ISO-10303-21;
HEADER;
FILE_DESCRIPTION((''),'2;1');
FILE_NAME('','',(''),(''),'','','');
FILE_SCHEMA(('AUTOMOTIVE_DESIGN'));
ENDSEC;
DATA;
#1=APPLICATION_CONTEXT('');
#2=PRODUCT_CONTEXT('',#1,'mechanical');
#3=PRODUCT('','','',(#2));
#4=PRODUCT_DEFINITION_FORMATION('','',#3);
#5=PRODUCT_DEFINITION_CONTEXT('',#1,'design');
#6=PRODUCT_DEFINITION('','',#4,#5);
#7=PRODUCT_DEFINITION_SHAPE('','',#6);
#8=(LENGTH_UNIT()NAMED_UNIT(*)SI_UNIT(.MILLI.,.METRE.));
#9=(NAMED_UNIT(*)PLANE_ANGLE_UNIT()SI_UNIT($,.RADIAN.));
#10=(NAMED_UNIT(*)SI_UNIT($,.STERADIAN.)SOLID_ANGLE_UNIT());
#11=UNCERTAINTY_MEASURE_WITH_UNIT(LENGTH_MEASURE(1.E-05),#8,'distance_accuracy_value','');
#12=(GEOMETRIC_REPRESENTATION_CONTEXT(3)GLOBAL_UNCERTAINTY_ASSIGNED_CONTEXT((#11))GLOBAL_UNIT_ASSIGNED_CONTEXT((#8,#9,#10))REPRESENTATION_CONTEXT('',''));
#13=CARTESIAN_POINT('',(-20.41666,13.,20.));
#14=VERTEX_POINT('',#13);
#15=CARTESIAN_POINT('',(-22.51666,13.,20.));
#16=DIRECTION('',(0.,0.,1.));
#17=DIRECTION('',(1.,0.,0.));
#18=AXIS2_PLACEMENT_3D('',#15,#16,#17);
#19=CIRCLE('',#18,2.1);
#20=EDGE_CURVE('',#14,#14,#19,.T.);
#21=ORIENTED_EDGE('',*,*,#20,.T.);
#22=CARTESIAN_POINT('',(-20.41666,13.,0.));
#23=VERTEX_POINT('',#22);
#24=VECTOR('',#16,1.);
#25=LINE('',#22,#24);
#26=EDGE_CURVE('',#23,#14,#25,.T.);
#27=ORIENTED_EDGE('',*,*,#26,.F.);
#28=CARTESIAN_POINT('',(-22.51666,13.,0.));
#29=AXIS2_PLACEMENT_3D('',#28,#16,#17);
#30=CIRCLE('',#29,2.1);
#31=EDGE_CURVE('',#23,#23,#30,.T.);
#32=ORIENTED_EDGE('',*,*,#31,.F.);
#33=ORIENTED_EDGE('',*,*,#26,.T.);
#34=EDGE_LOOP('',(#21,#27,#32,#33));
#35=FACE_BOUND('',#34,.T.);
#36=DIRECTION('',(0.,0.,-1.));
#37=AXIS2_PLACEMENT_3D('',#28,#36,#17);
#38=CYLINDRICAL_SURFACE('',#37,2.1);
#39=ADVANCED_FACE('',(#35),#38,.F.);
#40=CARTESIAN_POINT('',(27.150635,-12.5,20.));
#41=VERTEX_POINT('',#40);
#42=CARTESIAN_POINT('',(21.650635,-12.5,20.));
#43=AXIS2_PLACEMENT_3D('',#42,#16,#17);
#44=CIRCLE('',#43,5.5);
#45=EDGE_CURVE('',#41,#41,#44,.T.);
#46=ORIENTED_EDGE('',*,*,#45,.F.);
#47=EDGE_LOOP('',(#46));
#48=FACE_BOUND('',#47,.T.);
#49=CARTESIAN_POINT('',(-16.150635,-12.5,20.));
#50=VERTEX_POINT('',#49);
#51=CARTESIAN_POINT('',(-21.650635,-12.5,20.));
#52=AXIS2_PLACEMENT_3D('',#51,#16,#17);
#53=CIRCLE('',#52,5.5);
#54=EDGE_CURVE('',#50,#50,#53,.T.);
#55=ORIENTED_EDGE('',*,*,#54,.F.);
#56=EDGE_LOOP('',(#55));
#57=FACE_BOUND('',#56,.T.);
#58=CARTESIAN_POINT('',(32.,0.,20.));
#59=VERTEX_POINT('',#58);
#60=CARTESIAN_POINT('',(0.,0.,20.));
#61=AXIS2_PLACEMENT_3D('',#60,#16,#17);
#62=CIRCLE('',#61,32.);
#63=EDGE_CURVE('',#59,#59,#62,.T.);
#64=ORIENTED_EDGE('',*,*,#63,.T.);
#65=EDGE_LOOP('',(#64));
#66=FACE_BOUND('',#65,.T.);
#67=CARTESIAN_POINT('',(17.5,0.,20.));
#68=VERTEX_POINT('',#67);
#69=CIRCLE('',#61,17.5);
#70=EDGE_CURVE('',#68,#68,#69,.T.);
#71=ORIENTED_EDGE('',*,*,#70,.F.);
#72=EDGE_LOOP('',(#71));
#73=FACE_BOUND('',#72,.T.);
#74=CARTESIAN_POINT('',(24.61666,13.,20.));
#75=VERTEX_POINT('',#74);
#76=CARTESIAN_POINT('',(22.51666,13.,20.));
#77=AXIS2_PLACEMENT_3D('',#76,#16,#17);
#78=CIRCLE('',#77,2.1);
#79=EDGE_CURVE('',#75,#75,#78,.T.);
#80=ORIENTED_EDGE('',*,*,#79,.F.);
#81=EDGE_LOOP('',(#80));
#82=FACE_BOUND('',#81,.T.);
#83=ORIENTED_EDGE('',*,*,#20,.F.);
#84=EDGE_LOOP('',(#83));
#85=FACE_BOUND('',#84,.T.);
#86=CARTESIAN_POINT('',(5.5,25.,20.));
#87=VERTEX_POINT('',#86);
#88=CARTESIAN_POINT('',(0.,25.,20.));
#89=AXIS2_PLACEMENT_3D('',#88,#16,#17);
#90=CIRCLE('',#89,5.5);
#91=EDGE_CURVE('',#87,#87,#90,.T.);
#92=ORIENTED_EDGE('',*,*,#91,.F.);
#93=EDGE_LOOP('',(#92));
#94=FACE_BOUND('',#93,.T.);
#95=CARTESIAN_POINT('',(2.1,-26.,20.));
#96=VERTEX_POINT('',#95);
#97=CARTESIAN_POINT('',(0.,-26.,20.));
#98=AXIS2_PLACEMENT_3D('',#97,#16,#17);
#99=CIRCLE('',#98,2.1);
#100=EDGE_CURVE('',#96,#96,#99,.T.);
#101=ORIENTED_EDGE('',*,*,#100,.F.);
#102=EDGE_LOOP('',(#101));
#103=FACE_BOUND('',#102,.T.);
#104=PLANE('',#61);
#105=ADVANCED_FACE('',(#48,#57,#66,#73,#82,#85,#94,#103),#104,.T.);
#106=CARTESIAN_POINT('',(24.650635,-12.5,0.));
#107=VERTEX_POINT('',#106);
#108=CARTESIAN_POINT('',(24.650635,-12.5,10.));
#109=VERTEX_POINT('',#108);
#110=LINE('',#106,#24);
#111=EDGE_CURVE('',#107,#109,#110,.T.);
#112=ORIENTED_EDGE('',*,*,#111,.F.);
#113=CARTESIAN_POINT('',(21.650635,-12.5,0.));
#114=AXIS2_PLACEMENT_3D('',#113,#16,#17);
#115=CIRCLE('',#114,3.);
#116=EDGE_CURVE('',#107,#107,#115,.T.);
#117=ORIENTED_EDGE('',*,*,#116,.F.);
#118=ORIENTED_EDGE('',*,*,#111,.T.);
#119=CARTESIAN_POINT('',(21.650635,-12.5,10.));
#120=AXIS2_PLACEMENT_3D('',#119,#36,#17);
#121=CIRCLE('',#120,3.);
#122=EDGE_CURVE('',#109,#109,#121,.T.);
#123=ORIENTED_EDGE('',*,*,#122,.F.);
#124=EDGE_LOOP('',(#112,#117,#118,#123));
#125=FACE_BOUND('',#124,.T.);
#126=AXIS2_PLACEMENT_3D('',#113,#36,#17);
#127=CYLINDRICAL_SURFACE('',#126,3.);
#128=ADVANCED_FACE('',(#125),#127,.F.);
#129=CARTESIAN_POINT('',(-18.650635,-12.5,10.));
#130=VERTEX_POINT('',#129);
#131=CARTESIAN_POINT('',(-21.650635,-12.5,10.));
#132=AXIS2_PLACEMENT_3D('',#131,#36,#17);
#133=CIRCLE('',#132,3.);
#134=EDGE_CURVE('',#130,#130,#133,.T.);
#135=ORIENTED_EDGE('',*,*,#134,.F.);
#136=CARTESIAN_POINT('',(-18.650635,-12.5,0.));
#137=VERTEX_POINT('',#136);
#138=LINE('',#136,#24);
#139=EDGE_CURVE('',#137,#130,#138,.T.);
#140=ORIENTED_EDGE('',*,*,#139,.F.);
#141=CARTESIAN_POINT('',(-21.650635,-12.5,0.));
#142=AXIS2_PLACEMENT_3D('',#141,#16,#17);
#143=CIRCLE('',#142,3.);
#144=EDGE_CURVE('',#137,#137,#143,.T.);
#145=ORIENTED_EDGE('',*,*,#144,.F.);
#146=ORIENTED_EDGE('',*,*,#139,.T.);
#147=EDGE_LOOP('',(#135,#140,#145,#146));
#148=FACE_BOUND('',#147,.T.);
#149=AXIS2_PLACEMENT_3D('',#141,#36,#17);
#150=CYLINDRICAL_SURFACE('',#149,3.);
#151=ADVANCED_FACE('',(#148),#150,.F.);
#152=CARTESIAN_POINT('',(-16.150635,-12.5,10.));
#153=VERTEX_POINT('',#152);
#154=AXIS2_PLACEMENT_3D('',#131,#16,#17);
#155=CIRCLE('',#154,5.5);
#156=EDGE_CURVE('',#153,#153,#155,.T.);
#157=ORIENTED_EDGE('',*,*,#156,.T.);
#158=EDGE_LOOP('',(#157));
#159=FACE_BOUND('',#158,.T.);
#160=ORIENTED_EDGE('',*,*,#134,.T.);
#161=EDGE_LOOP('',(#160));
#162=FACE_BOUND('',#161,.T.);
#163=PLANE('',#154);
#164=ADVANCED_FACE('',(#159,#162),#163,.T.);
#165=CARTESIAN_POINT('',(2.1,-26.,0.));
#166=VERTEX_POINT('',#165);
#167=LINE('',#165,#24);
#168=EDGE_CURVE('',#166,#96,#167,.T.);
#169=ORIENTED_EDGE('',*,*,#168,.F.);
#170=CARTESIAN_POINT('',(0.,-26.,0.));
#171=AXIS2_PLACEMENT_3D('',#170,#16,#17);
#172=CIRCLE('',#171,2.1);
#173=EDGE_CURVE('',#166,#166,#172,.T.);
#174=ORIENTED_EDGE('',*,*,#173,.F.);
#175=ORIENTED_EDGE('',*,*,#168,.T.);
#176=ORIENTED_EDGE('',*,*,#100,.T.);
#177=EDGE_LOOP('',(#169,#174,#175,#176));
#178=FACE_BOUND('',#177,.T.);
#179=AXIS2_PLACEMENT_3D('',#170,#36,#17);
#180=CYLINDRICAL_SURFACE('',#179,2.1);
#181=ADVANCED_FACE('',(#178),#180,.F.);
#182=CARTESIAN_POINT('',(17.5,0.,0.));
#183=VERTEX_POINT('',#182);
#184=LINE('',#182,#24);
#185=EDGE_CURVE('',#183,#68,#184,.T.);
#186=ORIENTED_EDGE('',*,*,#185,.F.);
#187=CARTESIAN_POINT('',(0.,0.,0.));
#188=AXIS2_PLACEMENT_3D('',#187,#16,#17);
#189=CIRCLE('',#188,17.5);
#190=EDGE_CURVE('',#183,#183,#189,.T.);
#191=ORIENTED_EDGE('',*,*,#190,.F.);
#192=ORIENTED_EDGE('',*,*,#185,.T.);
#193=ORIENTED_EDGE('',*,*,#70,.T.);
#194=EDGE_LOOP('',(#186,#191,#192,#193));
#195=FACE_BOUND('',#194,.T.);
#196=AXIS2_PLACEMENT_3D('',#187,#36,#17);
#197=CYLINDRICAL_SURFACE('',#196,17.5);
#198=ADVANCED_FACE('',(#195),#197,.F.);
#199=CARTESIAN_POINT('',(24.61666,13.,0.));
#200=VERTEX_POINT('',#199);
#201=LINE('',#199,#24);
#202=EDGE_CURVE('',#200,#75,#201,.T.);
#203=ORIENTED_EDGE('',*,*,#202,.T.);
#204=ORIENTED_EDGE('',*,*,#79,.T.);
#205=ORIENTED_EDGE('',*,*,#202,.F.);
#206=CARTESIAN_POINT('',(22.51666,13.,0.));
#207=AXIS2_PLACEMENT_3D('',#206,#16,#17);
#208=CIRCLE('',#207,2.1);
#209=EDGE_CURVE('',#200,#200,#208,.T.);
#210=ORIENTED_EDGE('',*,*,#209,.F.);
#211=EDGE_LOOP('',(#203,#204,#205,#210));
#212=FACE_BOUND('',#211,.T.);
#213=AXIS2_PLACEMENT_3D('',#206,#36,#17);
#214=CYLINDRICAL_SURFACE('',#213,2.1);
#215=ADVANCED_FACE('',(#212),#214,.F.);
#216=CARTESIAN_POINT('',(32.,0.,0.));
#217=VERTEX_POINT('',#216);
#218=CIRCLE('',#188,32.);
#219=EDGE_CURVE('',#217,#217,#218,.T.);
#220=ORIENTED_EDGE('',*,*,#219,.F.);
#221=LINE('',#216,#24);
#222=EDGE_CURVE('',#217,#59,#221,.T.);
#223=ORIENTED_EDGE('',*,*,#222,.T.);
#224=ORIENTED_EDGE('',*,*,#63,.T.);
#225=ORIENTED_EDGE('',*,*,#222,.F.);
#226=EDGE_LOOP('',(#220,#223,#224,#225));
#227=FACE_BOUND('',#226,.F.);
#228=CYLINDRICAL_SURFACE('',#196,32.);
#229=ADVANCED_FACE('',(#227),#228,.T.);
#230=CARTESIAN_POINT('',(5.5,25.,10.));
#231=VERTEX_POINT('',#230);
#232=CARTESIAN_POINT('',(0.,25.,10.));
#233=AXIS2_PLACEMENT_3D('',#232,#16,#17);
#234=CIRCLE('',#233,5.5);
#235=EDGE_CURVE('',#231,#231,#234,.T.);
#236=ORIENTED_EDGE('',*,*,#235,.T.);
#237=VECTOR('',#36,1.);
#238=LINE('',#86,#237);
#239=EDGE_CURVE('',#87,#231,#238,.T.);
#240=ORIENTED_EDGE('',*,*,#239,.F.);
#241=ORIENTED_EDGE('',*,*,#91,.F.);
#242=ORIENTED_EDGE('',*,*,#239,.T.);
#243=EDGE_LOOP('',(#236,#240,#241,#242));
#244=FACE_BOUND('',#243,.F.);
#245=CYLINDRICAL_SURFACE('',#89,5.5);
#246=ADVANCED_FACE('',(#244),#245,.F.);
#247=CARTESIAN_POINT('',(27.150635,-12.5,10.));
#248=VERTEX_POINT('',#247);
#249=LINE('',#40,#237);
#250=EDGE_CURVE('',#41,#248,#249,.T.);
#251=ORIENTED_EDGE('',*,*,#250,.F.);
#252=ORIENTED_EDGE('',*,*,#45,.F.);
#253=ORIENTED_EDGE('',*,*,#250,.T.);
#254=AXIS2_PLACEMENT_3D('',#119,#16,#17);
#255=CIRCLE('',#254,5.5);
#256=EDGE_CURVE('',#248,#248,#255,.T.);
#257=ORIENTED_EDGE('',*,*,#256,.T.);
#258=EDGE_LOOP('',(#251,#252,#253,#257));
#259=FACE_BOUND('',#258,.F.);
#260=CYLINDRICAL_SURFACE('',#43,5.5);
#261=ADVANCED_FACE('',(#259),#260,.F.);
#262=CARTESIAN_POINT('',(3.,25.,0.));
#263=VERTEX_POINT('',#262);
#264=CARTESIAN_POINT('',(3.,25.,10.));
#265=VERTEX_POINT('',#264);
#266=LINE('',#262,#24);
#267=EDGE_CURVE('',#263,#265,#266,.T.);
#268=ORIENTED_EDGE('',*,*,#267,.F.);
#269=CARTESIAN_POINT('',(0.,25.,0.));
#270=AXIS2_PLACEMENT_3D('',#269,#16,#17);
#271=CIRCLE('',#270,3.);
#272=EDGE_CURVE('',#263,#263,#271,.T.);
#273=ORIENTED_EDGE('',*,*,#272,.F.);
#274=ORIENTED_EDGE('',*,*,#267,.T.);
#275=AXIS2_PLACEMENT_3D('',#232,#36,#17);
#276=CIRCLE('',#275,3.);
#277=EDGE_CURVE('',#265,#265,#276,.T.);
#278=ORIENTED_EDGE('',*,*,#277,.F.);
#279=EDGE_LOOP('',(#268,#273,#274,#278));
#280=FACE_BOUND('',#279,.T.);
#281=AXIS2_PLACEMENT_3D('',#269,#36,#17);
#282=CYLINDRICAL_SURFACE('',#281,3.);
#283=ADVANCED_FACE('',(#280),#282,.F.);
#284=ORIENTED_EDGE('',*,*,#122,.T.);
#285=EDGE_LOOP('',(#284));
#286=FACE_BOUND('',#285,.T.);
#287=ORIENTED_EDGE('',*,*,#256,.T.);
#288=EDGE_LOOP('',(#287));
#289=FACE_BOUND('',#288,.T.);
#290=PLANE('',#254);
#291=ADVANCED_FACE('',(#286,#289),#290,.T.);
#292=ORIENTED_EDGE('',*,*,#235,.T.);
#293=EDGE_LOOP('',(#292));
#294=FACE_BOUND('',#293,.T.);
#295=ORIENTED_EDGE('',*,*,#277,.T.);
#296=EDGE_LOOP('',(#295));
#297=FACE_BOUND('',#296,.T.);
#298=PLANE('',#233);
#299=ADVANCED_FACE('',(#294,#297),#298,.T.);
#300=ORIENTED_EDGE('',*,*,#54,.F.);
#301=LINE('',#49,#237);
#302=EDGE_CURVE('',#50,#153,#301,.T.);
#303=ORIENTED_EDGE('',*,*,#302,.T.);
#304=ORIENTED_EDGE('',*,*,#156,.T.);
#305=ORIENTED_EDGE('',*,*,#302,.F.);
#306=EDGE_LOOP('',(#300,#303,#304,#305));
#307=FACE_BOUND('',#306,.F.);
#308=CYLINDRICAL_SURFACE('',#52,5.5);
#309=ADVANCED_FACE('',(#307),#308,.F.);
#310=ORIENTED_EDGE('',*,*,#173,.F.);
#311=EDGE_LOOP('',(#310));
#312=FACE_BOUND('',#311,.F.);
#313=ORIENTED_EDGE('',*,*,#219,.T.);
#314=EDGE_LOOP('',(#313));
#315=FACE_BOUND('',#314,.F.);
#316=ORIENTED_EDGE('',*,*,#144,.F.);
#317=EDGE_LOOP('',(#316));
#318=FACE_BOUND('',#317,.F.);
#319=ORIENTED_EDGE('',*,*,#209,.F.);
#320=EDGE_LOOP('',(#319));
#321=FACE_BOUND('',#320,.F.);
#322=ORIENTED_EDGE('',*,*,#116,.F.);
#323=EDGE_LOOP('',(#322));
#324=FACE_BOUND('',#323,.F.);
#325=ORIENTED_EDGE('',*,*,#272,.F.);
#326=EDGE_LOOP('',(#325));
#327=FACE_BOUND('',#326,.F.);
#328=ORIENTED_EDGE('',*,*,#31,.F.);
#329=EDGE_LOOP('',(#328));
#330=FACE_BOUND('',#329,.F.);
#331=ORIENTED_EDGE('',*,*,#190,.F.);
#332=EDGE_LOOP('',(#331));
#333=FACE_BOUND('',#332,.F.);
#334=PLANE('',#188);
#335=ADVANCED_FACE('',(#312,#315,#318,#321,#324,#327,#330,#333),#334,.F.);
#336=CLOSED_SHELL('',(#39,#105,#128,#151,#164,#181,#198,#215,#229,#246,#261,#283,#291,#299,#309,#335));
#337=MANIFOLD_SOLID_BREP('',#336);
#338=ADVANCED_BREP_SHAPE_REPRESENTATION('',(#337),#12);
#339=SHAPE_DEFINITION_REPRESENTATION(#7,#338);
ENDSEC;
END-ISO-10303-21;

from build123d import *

# Parameters (mm, degrees)
SKETCH_R     = 32
SKETCH_R_2   = 2.1
SKETCH_R_3   = 3
SKETCH_R_4   = 17.5
PAD_DEPTH    = 20
SKETCH001_R  = 5.5
POCKET_DEPTH = 10


with BuildPart() as part:
    # Sketch → Pad (new body)
    with BuildSketch(Plane.XY):
        Circle(SKETCH_R)
        with Locations((0, -26)):
            Circle(SKETCH_R_2, mode=Mode.SUBTRACT)
        with Locations((-22.51666, 13)):
            Circle(SKETCH_R_2, mode=Mode.SUBTRACT)
        with Locations((22.51666, 13)):
            Circle(SKETCH_R_2, mode=Mode.SUBTRACT)
        with Locations((0, 25)):
            Circle(SKETCH_R_3, mode=Mode.SUBTRACT)
        with Locations((-21.650635, -12.5)):
            Circle(SKETCH_R_3, mode=Mode.SUBTRACT)
        with Locations((21.650635, -12.5)):
            Circle(SKETCH_R_3, mode=Mode.SUBTRACT)
        Circle(SKETCH_R_4, mode=Mode.SUBTRACT)
    extrude(amount=PAD_DEPTH)

    # Sketch001 (on Face10 of Pad) → Pocket (cut)
    with BuildSketch(Plane.XY.offset(20)):
        with Locations((0, 25)):
            Circle(SKETCH001_R)
        with Locations((-21.650635, -12.5)):
            Circle(SKETCH001_R)
        with Locations((21.650635, -12.5)):
            Circle(SKETCH001_R)
    extrude(amount=-POCKET_DEPTH, mode=Mode.SUBTRACT)


solid = part.part
